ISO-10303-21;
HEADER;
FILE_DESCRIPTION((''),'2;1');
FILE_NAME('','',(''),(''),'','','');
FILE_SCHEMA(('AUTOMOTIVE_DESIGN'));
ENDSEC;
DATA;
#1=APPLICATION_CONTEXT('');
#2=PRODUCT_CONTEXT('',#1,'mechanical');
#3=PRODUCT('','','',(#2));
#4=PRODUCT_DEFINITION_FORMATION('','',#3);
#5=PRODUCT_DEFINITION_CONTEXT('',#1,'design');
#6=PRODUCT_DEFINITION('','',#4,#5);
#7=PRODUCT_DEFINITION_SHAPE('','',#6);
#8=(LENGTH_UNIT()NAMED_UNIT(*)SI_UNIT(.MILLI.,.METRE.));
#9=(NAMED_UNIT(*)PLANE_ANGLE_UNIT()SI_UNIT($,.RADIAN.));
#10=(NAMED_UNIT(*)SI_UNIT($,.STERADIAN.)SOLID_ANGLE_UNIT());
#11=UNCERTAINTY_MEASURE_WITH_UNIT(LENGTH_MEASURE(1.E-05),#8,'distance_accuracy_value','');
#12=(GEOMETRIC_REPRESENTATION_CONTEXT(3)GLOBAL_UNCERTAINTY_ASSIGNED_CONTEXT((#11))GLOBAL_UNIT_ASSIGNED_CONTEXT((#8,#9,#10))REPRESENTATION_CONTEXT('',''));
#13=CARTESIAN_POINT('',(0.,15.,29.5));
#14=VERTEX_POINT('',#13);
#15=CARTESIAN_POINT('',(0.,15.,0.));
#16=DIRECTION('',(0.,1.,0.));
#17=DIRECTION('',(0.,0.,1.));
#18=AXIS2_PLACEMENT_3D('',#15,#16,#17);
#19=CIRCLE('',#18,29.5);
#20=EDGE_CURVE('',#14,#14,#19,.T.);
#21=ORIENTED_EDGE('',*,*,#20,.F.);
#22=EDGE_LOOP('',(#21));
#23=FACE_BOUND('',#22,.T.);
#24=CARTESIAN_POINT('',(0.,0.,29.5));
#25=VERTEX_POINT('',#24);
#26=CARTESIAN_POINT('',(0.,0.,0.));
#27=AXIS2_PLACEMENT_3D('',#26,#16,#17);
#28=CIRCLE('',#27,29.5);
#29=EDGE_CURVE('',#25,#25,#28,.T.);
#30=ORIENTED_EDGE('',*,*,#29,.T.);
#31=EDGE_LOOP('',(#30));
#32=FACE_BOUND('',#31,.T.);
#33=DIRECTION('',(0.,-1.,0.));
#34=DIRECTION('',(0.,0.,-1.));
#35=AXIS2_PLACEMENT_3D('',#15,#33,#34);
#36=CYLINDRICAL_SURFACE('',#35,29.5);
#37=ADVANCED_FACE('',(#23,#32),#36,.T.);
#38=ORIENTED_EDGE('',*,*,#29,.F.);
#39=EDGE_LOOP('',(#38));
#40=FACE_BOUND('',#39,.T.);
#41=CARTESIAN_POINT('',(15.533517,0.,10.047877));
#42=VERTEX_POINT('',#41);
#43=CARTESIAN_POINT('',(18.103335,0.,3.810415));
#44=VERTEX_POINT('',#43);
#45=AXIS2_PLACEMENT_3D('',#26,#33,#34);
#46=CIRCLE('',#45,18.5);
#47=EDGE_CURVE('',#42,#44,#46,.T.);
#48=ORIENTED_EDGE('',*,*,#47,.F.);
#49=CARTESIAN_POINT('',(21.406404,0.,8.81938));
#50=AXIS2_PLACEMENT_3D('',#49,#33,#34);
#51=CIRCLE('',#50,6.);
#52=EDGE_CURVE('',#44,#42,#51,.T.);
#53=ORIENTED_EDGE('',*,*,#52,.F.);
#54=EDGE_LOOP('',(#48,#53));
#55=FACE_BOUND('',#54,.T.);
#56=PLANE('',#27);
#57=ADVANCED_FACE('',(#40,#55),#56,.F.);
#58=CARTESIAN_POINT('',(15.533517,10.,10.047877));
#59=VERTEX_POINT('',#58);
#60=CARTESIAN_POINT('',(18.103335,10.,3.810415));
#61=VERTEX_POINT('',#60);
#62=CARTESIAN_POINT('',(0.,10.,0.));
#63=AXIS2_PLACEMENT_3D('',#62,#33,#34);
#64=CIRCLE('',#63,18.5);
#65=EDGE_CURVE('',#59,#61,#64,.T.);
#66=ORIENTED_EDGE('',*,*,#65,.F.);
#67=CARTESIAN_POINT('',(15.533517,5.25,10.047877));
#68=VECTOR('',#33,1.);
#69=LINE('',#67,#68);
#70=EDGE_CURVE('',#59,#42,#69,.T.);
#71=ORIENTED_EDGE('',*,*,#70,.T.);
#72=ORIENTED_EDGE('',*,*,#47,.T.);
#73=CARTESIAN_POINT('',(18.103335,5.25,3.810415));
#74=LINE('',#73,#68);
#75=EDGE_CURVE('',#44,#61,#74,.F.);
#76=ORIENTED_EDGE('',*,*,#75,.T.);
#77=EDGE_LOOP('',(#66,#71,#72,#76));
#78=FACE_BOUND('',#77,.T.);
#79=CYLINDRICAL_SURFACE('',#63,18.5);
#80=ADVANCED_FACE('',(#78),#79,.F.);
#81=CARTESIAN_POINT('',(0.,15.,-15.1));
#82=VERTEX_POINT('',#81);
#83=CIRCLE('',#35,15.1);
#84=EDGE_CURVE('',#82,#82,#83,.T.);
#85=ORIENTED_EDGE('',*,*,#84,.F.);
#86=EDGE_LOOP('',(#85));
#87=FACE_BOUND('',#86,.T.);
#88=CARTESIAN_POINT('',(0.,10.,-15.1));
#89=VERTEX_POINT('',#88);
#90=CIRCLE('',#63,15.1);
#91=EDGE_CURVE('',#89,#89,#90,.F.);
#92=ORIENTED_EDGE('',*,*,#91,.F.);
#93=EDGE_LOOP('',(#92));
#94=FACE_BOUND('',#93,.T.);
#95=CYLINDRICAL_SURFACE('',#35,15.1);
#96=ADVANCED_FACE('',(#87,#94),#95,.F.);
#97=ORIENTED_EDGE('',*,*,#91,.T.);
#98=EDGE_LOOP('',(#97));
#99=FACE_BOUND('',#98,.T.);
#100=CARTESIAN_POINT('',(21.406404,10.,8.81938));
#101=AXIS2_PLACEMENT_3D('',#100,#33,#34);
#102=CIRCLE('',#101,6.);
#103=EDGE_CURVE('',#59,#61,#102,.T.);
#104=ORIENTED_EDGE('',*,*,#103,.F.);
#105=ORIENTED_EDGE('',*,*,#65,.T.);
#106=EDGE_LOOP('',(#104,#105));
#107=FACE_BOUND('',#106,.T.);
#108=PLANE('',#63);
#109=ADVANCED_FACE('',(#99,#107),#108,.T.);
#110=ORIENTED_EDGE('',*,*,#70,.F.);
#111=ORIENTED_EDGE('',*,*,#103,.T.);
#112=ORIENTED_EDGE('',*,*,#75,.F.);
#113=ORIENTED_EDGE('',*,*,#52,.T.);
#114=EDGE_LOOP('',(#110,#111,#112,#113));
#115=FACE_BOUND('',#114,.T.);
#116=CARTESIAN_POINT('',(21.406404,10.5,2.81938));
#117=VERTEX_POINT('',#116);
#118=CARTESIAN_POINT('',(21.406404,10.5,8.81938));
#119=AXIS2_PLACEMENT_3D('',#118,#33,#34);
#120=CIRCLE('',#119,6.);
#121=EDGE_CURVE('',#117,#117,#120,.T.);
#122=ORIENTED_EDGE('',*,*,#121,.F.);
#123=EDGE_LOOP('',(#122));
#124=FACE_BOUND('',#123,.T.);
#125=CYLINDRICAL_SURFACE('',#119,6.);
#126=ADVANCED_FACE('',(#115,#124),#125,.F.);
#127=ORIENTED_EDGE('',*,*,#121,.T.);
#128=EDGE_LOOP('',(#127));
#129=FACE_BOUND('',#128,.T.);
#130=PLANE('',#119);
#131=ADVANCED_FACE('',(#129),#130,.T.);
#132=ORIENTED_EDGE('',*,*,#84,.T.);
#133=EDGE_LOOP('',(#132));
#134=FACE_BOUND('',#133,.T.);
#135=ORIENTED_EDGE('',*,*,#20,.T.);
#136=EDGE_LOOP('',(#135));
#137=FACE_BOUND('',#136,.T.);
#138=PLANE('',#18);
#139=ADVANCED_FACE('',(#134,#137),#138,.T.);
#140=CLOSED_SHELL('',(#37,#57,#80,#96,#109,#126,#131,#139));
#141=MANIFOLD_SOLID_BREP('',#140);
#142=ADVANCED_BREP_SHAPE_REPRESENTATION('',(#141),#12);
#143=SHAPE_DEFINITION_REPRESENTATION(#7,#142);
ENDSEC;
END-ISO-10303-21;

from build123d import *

# Parameters (mm, degrees)
SKETCH1_R           = 29.5
BOSS_EXTRUDE1_DEPTH = 15
SKETCH2_R           = 15.1
CUT_EXTRUDE1_DEPTH  = 45.333959895
SKETCH3_R           = 18.5
CUT_EXTRUDE2_DEPTH  = 10
SKETCH4_R           = 6
CUT_EXTRUDE3_DEPTH  = 10.5


with BuildPart() as part:
    # Sketch1 → Boss-Extrude1 (new body)
    with BuildSketch(Plane(origin=(0, 0, 0), x_dir=(1, 0, 0), z_dir=(0, 1, 0))):
        with Locations(Location((0, 0, 0), (0, 0, 270))):
            Circle(SKETCH1_R)
    extrude(amount=BOSS_EXTRUDE1_DEPTH)

    # Sketch2 → Cut-Extrude1 (cut, through all)
    with BuildSketch(Plane.XZ):
        with Locations(Location((0, 0, 0), (0, 0, 270))):
            Circle(SKETCH2_R)
    extrude(amount=-CUT_EXTRUDE1_DEPTH, mode=Mode.SUBTRACT)

    # Sketch3 → Cut-Extrude2 (cut)
    with BuildSketch(Plane.XZ):
        with Locations(Location((0, 0, 0), (0, 0, 270))):
            Circle(SKETCH3_R)
    extrude(amount=-CUT_EXTRUDE2_DEPTH, mode=Mode.SUBTRACT)

    # Sketch4 → Cut-Extrude3 (cut)
    with BuildSketch(Plane.XZ):
        with Locations(Location((21.406403657, 8.819380288, 0), (0, 0, 270))):
            Circle(SKETCH4_R)
    extrude(amount=-CUT_EXTRUDE3_DEPTH, mode=Mode.SUBTRACT)


solid = part.part
